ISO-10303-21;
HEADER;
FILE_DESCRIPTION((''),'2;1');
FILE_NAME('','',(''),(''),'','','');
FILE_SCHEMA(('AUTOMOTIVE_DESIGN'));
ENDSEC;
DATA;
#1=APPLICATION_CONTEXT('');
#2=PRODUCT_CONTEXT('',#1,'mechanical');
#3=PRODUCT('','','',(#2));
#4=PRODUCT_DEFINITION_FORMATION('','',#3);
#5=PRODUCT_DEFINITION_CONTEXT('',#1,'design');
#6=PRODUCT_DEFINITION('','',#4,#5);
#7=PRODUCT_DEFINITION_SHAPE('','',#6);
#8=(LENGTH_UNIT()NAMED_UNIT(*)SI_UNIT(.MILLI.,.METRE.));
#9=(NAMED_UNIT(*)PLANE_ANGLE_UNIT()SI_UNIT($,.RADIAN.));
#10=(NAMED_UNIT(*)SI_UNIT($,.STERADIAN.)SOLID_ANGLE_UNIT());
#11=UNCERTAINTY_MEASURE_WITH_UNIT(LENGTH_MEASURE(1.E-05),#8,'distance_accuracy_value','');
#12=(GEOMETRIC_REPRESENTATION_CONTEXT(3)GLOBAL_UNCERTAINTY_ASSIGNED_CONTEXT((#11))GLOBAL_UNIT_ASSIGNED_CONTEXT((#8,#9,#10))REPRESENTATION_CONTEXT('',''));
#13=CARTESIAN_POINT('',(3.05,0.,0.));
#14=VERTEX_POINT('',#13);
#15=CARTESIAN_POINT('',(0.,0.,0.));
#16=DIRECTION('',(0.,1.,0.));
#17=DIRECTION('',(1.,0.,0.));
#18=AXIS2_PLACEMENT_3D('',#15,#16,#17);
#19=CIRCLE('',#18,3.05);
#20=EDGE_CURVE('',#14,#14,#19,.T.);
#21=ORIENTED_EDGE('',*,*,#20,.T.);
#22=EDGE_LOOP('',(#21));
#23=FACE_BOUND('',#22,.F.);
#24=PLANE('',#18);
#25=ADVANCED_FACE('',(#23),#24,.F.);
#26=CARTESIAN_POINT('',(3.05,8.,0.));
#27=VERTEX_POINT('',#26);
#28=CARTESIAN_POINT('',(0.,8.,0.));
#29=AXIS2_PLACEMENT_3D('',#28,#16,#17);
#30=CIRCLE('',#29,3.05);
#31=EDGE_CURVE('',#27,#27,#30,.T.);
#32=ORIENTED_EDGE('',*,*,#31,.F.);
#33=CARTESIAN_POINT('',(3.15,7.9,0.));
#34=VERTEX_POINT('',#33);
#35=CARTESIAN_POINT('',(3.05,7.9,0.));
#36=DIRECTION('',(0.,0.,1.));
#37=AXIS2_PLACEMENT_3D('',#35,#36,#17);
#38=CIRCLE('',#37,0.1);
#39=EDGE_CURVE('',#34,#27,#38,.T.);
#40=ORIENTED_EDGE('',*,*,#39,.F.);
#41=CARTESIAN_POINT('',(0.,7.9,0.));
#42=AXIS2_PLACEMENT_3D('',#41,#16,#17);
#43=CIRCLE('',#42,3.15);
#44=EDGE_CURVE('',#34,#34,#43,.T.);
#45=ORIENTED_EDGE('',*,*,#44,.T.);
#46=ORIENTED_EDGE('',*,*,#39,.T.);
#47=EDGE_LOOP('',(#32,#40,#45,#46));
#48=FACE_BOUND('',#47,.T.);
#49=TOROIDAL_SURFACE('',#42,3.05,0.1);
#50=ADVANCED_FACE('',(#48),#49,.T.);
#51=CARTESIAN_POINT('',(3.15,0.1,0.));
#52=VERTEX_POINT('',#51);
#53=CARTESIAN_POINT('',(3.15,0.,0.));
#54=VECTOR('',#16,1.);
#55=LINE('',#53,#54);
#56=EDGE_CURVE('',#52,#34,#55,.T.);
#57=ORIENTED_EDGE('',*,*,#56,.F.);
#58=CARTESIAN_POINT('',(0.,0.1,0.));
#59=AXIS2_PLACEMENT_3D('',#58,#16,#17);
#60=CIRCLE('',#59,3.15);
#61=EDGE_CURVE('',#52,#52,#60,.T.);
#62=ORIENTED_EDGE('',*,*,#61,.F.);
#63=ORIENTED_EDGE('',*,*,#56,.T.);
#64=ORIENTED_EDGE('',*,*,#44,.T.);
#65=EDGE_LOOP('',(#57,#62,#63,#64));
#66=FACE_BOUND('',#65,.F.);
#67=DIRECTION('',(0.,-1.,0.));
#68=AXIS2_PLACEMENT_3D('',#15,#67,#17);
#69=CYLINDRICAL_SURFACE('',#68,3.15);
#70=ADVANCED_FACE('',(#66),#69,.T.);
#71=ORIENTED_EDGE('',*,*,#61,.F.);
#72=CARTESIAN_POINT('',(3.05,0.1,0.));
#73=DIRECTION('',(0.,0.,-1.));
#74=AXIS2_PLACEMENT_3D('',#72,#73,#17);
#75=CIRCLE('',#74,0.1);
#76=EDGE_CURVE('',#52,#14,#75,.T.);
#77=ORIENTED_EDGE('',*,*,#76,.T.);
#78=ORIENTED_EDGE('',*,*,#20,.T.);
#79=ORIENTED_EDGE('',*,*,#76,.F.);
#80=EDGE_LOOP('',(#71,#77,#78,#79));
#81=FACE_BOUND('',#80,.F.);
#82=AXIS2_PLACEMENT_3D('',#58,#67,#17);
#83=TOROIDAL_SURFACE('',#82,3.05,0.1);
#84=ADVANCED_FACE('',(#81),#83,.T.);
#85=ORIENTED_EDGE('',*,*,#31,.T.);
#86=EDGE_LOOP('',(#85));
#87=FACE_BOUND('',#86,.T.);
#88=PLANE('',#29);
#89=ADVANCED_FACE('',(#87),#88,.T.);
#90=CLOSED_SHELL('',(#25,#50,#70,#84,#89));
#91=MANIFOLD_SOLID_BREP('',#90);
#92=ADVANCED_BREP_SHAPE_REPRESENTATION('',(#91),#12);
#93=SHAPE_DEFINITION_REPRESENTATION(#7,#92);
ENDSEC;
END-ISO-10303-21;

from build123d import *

# Parameters (mm, degrees)
SKETCH_1_R      = 3.15
EXTRUDE_1_DEPTH = 8
FILLET_1_R      = 0.1
FILLET_2_R      = 0.1


with BuildPart() as part:
    # Эскиз1 → Бобышка-Вытянуть1 (new body)
    with BuildSketch(Plane(origin=(0, 0, 0), x_dir=(1, 0, 0), z_dir=(0, 1, 0))):
        Circle(SKETCH_1_R)
    extrude(amount=EXTRUDE_1_DEPTH)

    # Скругление1
    fillet_1_edges = [part.edges().sort_by_distance(p)[0] for p in [
        (-3.15, 8, 0),
    ]]
    fillet(fillet_1_edges, radius=FILLET_1_R)

    # Скругление2
    fillet_2_edges = [part.edges().sort_by_distance(p)[0] for p in [
        (-3.15, 0, 0),
    ]]
    fillet(fillet_2_edges, radius=FILLET_2_R)


solid = part.part
